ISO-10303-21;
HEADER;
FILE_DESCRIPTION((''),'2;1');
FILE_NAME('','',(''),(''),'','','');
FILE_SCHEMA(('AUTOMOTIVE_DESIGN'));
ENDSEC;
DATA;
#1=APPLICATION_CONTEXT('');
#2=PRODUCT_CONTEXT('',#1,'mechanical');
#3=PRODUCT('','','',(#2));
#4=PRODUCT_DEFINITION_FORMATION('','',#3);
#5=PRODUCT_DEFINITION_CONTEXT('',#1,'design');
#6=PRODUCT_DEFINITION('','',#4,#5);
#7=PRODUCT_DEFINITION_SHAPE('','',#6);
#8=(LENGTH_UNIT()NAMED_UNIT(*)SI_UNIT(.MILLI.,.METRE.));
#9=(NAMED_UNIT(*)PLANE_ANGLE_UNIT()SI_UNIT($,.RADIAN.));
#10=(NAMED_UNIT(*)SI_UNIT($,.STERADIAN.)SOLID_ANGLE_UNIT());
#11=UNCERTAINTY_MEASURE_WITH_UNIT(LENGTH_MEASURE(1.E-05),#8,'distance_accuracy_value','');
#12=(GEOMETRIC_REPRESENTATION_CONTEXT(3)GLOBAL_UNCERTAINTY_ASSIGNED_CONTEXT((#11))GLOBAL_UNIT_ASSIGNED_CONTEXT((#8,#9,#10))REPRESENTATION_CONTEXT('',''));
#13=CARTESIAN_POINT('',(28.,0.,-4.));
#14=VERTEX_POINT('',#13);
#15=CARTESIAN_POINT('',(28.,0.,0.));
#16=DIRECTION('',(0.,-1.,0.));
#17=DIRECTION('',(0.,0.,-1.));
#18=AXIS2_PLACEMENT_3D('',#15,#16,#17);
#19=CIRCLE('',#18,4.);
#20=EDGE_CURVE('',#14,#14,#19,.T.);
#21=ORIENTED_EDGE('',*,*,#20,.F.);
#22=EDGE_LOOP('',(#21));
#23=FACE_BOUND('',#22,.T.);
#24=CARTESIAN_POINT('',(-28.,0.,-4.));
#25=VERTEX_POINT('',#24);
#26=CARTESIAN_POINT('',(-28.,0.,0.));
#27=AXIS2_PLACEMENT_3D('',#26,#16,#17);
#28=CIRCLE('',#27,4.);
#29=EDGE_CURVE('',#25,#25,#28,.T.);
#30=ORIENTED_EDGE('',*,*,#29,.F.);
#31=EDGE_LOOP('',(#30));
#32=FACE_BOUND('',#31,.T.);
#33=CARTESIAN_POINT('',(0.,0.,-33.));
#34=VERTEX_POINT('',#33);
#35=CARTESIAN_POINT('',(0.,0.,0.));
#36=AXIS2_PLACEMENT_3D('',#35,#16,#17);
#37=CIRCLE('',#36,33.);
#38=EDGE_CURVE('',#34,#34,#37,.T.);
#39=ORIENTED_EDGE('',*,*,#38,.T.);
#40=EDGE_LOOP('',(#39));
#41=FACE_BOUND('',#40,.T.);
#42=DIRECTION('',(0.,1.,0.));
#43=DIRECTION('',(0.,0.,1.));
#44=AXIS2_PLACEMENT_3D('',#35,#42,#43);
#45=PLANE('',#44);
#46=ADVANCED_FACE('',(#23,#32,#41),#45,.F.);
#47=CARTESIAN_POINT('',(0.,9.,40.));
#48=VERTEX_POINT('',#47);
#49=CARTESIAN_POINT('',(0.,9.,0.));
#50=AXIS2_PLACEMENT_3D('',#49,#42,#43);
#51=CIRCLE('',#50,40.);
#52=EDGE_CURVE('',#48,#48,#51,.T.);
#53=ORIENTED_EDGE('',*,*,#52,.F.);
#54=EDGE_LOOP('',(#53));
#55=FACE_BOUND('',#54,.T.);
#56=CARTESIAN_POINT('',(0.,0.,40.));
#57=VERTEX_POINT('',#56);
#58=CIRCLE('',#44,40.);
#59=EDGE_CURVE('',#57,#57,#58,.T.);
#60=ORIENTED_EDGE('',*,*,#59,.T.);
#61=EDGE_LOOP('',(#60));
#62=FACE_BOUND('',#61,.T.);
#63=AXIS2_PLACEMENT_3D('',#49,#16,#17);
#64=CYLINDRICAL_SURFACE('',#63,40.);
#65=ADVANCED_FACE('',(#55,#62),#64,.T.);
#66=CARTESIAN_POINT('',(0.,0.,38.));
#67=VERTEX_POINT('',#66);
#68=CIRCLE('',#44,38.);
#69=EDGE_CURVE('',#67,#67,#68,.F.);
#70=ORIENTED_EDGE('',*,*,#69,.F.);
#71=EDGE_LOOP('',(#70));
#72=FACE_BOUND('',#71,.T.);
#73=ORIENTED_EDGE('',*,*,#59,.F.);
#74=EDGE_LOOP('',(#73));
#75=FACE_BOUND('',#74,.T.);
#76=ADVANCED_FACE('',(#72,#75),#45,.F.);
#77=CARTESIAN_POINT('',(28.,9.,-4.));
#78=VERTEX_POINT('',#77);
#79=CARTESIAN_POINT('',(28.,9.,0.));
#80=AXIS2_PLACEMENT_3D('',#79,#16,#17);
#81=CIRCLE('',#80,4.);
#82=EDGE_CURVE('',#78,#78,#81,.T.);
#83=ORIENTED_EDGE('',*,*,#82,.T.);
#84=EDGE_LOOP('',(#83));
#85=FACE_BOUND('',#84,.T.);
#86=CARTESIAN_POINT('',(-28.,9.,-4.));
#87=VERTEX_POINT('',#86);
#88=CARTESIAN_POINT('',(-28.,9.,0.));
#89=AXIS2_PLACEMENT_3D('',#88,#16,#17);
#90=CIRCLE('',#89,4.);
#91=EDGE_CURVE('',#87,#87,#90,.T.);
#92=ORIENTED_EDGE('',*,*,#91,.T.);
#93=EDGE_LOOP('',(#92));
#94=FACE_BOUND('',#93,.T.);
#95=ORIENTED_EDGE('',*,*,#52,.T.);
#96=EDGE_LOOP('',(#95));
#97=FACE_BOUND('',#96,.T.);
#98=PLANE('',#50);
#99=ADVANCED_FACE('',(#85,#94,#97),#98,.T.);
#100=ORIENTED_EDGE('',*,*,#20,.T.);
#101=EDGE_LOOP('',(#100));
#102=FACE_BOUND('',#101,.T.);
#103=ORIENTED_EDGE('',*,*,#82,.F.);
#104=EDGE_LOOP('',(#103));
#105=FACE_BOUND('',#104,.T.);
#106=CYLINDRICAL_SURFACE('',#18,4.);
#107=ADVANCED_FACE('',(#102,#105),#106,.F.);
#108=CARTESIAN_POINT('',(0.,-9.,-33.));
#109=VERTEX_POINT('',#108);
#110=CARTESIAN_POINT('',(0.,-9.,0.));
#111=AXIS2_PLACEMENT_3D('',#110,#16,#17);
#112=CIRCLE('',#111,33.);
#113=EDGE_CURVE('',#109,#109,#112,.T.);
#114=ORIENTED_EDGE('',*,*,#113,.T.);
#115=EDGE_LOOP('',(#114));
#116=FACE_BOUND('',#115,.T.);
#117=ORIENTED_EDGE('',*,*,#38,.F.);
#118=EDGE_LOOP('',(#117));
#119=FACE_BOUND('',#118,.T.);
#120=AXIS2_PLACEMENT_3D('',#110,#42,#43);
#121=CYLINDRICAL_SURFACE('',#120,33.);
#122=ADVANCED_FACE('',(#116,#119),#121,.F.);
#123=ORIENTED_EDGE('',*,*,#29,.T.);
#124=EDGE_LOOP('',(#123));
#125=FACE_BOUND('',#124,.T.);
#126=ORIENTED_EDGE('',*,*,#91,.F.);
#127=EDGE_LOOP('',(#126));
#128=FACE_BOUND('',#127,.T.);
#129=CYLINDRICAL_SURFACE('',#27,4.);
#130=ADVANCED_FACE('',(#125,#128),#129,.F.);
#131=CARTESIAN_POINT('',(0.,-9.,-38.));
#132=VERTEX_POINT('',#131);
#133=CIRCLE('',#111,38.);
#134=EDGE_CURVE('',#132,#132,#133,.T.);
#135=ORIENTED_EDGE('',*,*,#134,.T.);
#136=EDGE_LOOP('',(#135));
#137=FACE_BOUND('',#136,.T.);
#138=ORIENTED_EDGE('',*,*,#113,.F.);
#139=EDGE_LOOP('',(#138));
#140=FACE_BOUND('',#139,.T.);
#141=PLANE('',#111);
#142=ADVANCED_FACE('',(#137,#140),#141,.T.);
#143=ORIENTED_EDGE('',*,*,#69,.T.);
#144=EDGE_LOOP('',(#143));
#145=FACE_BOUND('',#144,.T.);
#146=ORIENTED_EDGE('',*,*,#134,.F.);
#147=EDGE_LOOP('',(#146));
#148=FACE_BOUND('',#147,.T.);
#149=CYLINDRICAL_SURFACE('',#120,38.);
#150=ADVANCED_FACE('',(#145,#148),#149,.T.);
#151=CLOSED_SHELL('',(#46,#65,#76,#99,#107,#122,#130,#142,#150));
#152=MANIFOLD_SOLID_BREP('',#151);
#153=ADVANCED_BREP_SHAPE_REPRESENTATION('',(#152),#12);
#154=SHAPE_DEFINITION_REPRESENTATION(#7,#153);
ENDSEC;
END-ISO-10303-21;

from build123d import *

# Parameters (mm, degrees)
SKETCH1_R             = 40
BOSS_EXTRUDE1_DEPTH   = 9
SKETCH2_R             = 38
SKETCH2_R_2           = 33
BOSS_EXTRUDE2_DEPTH   = 9
F_8_0MM_DOWEL_HOLE1_D = 8


with BuildPart() as part:
    # Sketch1 → Boss-Extrude1 (new body)
    with BuildSketch(Plane(origin=(0, 0, 0), x_dir=(1, 0, 0), z_dir=(0, 1, 0))):
        with Locations(Location((0, 0, 0), (0, 0, 270))):
            Circle(SKETCH1_R)
    extrude(amount=BOSS_EXTRUDE1_DEPTH)

    # Sketch2 → Boss-Extrude2 (add)
    with BuildSketch(Plane.XZ):
        with Locations(Location((0, 0, 0), (0, 0, 90))):
            Circle(SKETCH2_R)
        with Locations(Location((0, 0, 0), (0, 0, 270))):
            Circle(SKETCH2_R_2, mode=Mode.SUBTRACT)
    extrude(amount=BOSS_EXTRUDE2_DEPTH)

    # Ø8.0mm Dowel Hole1 (through all)
    with Locations(Plane(origin=(0, 0, 0), x_dir=(-1, 0, 0), z_dir=(0, -1, 0))):
        with Locations((-28, 0), (28, 0)):
            Hole(F_8_0MM_DOWEL_HOLE1_D / 2)


solid = part.part
